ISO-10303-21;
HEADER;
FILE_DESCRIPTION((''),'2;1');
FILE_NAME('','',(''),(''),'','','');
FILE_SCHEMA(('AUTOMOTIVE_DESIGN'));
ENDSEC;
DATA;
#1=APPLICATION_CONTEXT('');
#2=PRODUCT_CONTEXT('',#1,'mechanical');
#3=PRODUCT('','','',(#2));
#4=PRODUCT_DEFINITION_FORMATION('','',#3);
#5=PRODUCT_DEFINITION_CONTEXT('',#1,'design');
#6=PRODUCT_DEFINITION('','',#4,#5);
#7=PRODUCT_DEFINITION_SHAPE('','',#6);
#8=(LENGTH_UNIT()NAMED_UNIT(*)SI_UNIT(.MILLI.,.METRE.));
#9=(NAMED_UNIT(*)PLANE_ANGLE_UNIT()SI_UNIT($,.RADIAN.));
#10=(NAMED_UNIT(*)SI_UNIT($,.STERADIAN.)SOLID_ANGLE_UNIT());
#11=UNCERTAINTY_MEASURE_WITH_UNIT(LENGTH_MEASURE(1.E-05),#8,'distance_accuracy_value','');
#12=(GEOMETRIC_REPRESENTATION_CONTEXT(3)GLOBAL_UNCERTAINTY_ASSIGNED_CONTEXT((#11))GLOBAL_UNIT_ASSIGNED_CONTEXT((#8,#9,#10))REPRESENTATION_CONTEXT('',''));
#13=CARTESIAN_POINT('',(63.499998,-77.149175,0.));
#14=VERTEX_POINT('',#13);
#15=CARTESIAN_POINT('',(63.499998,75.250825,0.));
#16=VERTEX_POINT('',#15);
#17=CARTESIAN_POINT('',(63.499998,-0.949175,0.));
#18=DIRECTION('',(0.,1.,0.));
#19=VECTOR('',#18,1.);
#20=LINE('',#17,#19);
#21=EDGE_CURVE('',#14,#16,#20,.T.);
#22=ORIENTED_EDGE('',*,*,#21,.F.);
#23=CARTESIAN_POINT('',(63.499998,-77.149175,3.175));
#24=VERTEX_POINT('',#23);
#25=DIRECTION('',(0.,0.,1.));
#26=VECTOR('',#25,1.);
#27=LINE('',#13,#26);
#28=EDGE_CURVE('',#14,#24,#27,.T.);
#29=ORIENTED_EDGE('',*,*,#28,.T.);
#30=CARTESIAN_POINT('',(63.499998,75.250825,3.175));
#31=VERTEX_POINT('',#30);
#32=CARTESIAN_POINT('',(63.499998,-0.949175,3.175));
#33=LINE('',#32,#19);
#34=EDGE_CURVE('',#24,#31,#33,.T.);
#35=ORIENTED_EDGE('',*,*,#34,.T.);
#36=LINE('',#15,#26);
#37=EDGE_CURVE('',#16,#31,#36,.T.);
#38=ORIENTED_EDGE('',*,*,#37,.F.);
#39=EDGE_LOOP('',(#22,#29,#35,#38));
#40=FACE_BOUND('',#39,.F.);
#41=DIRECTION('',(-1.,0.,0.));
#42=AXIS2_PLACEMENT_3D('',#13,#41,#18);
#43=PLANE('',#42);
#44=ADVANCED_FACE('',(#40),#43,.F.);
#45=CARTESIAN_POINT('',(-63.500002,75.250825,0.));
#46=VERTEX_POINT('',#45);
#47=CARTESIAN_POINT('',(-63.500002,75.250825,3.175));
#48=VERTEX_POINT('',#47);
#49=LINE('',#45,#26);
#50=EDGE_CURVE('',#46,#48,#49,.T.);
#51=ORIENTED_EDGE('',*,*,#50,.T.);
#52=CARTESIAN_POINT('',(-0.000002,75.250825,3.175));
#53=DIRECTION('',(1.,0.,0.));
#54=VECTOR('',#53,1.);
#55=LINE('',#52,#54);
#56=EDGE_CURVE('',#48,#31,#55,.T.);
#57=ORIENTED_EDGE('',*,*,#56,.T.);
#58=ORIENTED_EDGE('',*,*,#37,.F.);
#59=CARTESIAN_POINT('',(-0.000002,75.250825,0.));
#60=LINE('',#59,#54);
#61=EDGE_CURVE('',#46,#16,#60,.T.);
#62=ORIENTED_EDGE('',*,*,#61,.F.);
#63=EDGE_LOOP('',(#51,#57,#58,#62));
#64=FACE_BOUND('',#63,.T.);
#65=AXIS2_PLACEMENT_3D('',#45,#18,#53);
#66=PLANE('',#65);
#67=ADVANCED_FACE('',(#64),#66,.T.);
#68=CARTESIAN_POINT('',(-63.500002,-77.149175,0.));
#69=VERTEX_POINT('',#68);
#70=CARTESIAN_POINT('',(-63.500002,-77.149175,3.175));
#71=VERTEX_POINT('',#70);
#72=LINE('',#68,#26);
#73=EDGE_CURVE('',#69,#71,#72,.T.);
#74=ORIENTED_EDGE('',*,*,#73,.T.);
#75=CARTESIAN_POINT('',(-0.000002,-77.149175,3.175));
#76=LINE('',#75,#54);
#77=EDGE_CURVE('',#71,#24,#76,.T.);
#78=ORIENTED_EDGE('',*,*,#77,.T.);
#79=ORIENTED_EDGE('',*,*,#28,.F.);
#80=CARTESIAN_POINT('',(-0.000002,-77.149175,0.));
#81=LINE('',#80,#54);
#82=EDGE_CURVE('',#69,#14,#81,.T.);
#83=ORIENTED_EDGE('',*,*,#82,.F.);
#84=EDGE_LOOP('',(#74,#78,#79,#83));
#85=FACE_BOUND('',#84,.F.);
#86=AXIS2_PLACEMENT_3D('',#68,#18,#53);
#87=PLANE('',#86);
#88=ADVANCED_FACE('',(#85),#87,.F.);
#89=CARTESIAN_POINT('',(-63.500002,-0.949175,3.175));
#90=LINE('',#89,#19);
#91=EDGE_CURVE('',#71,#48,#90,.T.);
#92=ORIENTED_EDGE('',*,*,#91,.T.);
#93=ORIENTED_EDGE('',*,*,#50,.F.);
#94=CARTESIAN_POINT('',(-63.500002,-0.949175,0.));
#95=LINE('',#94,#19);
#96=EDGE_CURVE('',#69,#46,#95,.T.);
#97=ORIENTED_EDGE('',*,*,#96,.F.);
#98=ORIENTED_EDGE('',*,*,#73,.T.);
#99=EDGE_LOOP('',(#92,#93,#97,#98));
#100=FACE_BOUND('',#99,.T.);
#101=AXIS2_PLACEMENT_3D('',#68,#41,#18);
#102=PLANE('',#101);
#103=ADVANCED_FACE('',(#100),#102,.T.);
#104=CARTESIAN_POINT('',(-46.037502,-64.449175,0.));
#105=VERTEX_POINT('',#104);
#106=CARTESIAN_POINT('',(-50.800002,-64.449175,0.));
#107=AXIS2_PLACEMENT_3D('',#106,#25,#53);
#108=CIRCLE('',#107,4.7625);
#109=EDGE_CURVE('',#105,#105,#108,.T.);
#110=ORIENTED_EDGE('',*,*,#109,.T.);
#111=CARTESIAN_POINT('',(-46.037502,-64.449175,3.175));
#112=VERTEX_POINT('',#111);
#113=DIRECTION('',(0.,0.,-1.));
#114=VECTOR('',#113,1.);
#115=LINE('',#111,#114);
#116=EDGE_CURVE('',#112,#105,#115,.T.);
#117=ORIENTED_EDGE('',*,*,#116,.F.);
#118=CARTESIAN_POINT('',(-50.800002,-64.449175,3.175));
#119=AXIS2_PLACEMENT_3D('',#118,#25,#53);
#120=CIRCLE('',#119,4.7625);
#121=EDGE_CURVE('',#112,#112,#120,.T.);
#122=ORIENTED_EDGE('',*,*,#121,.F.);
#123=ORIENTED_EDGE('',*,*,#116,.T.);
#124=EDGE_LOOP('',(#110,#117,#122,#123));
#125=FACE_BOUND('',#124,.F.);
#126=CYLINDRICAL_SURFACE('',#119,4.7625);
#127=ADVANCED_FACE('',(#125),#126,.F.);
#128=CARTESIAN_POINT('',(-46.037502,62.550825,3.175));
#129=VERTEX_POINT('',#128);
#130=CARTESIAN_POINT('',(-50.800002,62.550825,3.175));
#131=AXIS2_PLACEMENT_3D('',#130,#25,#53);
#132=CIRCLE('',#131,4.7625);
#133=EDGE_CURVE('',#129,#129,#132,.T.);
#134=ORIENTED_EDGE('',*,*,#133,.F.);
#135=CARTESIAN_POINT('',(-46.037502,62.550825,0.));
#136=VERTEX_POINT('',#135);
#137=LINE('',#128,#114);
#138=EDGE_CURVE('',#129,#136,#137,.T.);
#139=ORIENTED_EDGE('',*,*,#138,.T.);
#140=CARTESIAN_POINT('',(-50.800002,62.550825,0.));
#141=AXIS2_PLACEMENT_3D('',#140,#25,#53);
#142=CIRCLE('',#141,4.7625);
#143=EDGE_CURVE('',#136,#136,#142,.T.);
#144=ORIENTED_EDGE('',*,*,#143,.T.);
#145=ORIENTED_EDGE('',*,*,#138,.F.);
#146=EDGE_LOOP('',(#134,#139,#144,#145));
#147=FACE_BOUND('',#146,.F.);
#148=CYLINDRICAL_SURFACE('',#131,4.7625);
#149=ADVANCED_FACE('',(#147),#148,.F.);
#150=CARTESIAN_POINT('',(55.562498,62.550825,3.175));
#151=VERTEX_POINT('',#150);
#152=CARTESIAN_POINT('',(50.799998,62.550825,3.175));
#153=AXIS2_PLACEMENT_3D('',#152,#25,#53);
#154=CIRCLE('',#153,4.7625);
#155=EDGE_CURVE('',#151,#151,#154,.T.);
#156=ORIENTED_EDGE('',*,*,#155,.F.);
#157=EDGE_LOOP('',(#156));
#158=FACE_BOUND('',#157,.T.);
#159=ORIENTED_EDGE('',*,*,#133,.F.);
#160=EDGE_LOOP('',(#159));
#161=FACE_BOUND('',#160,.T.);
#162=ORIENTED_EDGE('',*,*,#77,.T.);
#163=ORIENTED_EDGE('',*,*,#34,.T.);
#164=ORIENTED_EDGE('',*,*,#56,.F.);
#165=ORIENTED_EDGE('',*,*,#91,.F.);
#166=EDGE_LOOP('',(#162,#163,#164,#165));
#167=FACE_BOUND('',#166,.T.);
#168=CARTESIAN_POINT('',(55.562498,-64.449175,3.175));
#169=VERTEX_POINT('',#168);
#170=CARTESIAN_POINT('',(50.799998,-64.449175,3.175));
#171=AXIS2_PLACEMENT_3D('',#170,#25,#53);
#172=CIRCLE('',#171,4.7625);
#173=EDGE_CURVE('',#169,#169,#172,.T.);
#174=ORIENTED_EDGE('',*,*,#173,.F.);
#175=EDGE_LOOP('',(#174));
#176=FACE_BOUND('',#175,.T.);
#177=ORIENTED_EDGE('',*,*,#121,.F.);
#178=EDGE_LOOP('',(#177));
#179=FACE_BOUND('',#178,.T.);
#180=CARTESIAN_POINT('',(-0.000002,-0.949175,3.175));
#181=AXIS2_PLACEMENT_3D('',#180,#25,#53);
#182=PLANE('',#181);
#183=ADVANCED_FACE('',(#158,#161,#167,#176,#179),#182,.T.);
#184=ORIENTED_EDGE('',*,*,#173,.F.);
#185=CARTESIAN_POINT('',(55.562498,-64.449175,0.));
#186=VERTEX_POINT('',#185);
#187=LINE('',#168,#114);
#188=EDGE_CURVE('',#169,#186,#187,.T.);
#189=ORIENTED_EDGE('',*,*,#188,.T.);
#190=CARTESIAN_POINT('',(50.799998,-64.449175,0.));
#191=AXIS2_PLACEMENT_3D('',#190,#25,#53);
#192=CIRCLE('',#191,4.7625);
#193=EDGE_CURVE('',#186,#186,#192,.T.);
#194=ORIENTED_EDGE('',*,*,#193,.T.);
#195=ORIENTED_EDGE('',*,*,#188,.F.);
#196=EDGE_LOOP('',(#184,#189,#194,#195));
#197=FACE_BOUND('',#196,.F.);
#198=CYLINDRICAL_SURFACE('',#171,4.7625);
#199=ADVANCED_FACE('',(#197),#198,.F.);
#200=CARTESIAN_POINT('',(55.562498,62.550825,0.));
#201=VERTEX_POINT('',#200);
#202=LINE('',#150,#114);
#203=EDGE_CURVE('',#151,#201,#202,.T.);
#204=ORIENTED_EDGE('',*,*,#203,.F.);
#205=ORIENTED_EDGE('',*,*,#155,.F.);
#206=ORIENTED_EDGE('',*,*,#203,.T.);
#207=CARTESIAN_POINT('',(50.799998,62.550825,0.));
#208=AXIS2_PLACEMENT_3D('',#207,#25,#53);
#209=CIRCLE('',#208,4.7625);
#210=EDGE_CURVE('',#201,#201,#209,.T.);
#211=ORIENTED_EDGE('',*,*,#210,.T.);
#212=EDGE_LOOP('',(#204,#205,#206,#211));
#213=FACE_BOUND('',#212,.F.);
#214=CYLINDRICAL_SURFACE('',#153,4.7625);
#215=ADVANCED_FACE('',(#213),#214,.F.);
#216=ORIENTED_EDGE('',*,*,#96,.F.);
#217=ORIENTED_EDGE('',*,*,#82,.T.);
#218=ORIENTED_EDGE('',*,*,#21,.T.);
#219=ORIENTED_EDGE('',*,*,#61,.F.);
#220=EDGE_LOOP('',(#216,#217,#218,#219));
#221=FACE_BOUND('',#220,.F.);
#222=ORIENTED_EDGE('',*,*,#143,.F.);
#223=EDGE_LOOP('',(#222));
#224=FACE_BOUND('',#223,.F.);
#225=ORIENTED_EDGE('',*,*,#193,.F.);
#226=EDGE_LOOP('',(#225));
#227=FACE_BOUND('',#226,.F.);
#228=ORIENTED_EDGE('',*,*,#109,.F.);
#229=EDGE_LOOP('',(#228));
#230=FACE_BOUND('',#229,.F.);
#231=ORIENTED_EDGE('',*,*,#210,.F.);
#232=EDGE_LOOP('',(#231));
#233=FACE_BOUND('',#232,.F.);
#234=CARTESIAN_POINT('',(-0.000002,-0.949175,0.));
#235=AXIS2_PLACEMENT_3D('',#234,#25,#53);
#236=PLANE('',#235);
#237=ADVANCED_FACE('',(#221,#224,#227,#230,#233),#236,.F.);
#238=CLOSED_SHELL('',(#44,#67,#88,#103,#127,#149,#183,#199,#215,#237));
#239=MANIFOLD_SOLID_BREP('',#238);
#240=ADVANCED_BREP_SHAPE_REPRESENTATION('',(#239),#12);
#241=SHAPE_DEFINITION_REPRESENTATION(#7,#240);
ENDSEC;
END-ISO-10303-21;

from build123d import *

# Parameters (mm, degrees)
F0_W     = 127
F0_H     = 152.4
F1_DEPTH = 3.175
F2_R     = 4.7625
F3_DEPTH = 25.4


with BuildPart() as f1:
    # F0 (on Top) → F1 (new body)
    with BuildSketch(Plane.XY):
        with Locations((-2e-06, -0.949175)):
            Rectangle(F0_W, F0_H)
    extrude(amount=F1_DEPTH)

    # F2 (on face) → F3 (cut)
    with BuildSketch(Plane.XY.offset(3.175)):
        with Locations((-50.800002, -64.449175)):
            Circle(F2_R)
        with Locations((50.799998, -64.449175)):
            Circle(F2_R)
        with Locations((-50.800002, 62.550825)):
            Circle(F2_R)
        with Locations((50.799998, 62.550825)):
            Circle(F2_R)
    extrude(amount=-F3_DEPTH, mode=Mode.SUBTRACT)


solid = f1.part
